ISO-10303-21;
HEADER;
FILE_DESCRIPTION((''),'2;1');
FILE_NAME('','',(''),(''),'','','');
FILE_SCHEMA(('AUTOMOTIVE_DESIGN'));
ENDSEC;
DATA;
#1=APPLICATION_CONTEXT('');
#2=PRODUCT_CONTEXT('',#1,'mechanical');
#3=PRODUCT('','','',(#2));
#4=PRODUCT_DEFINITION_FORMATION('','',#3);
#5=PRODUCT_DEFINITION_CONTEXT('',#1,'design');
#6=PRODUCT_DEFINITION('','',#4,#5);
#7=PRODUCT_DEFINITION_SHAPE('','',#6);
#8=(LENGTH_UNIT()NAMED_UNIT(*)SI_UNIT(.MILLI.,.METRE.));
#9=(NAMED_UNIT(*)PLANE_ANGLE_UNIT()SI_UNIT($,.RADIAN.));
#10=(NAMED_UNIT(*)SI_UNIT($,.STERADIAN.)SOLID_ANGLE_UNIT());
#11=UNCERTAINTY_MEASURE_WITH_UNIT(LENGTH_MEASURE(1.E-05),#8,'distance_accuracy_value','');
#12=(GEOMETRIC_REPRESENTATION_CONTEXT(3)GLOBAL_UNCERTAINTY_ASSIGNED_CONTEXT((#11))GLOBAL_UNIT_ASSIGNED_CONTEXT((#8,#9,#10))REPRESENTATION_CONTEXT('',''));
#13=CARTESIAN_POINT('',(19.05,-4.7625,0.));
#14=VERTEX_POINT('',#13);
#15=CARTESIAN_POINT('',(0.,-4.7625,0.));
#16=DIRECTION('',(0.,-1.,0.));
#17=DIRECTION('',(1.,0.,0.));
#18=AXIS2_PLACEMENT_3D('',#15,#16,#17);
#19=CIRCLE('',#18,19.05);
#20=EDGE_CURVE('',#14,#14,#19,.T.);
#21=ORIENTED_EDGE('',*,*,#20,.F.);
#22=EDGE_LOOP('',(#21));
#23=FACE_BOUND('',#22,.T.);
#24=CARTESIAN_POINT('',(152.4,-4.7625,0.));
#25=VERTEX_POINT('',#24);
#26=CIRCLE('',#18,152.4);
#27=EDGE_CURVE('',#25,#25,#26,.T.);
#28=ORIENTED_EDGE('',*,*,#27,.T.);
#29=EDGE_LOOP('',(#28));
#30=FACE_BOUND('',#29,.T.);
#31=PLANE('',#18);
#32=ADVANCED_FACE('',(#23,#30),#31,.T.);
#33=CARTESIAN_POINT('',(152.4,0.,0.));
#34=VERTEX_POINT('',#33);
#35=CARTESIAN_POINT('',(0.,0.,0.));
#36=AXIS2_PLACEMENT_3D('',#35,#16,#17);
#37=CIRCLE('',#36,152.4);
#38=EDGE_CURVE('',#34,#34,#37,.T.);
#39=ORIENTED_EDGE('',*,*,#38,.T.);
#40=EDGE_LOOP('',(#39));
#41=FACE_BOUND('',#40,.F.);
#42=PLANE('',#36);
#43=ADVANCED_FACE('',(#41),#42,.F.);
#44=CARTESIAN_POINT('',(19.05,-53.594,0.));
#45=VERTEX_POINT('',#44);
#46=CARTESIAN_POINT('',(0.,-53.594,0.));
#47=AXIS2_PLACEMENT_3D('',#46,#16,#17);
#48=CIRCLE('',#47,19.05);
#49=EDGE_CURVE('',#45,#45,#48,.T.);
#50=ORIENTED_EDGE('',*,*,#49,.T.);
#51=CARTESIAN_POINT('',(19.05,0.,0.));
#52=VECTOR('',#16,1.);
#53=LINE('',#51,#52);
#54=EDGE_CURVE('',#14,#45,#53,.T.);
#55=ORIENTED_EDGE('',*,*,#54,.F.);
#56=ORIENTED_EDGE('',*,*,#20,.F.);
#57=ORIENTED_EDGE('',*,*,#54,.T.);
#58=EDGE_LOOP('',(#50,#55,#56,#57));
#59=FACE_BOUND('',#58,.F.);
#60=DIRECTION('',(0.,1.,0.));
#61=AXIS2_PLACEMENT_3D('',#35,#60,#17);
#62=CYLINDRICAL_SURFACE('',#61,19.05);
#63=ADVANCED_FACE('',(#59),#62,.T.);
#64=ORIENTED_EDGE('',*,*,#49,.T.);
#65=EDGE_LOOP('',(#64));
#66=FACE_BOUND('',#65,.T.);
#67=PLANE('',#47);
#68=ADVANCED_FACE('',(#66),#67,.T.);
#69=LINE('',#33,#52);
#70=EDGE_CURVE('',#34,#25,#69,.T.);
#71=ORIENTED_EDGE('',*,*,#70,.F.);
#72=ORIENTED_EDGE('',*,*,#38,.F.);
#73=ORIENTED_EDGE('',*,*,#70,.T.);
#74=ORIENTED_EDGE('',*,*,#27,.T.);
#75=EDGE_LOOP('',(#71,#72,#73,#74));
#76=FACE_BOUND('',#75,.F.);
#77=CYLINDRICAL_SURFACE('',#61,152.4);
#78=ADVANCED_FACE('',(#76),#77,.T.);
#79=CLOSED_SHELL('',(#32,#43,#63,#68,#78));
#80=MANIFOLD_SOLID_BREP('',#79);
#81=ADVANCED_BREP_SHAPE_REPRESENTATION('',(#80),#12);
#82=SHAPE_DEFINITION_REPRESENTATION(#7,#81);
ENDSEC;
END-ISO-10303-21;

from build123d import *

# Parameters (mm, degrees)
F0_R     = 19.05
F1_DEPTH = 53.594
F0_R_2   = 152.4
F2_DEPTH = 4.7625
F0_W     = 457.2
F0_H     = 355.6
F3_DEPTH = 15.875


with BuildPart() as f1:
    # F0 (on Front) → F1 (new body)
    with BuildSketch(Plane.XZ):
        Circle(F0_R)
    extrude(amount=F1_DEPTH)

    # F0 (on Front) → F2 (join)
    with BuildSketch(Plane.XZ):
        Circle(F0_R_2)
        Circle(F0_R, mode=Mode.SUBTRACT)
    extrude(amount=F2_DEPTH)


with BuildPart() as f3:
    # F0 (on Front) → F3 (new body)
    with BuildSketch(Plane.XZ):
        Rectangle(F0_W, F0_H)
        Circle(F0_R_2, mode=Mode.SUBTRACT)
    extrude(amount=F3_DEPTH)


solid = f1.part
